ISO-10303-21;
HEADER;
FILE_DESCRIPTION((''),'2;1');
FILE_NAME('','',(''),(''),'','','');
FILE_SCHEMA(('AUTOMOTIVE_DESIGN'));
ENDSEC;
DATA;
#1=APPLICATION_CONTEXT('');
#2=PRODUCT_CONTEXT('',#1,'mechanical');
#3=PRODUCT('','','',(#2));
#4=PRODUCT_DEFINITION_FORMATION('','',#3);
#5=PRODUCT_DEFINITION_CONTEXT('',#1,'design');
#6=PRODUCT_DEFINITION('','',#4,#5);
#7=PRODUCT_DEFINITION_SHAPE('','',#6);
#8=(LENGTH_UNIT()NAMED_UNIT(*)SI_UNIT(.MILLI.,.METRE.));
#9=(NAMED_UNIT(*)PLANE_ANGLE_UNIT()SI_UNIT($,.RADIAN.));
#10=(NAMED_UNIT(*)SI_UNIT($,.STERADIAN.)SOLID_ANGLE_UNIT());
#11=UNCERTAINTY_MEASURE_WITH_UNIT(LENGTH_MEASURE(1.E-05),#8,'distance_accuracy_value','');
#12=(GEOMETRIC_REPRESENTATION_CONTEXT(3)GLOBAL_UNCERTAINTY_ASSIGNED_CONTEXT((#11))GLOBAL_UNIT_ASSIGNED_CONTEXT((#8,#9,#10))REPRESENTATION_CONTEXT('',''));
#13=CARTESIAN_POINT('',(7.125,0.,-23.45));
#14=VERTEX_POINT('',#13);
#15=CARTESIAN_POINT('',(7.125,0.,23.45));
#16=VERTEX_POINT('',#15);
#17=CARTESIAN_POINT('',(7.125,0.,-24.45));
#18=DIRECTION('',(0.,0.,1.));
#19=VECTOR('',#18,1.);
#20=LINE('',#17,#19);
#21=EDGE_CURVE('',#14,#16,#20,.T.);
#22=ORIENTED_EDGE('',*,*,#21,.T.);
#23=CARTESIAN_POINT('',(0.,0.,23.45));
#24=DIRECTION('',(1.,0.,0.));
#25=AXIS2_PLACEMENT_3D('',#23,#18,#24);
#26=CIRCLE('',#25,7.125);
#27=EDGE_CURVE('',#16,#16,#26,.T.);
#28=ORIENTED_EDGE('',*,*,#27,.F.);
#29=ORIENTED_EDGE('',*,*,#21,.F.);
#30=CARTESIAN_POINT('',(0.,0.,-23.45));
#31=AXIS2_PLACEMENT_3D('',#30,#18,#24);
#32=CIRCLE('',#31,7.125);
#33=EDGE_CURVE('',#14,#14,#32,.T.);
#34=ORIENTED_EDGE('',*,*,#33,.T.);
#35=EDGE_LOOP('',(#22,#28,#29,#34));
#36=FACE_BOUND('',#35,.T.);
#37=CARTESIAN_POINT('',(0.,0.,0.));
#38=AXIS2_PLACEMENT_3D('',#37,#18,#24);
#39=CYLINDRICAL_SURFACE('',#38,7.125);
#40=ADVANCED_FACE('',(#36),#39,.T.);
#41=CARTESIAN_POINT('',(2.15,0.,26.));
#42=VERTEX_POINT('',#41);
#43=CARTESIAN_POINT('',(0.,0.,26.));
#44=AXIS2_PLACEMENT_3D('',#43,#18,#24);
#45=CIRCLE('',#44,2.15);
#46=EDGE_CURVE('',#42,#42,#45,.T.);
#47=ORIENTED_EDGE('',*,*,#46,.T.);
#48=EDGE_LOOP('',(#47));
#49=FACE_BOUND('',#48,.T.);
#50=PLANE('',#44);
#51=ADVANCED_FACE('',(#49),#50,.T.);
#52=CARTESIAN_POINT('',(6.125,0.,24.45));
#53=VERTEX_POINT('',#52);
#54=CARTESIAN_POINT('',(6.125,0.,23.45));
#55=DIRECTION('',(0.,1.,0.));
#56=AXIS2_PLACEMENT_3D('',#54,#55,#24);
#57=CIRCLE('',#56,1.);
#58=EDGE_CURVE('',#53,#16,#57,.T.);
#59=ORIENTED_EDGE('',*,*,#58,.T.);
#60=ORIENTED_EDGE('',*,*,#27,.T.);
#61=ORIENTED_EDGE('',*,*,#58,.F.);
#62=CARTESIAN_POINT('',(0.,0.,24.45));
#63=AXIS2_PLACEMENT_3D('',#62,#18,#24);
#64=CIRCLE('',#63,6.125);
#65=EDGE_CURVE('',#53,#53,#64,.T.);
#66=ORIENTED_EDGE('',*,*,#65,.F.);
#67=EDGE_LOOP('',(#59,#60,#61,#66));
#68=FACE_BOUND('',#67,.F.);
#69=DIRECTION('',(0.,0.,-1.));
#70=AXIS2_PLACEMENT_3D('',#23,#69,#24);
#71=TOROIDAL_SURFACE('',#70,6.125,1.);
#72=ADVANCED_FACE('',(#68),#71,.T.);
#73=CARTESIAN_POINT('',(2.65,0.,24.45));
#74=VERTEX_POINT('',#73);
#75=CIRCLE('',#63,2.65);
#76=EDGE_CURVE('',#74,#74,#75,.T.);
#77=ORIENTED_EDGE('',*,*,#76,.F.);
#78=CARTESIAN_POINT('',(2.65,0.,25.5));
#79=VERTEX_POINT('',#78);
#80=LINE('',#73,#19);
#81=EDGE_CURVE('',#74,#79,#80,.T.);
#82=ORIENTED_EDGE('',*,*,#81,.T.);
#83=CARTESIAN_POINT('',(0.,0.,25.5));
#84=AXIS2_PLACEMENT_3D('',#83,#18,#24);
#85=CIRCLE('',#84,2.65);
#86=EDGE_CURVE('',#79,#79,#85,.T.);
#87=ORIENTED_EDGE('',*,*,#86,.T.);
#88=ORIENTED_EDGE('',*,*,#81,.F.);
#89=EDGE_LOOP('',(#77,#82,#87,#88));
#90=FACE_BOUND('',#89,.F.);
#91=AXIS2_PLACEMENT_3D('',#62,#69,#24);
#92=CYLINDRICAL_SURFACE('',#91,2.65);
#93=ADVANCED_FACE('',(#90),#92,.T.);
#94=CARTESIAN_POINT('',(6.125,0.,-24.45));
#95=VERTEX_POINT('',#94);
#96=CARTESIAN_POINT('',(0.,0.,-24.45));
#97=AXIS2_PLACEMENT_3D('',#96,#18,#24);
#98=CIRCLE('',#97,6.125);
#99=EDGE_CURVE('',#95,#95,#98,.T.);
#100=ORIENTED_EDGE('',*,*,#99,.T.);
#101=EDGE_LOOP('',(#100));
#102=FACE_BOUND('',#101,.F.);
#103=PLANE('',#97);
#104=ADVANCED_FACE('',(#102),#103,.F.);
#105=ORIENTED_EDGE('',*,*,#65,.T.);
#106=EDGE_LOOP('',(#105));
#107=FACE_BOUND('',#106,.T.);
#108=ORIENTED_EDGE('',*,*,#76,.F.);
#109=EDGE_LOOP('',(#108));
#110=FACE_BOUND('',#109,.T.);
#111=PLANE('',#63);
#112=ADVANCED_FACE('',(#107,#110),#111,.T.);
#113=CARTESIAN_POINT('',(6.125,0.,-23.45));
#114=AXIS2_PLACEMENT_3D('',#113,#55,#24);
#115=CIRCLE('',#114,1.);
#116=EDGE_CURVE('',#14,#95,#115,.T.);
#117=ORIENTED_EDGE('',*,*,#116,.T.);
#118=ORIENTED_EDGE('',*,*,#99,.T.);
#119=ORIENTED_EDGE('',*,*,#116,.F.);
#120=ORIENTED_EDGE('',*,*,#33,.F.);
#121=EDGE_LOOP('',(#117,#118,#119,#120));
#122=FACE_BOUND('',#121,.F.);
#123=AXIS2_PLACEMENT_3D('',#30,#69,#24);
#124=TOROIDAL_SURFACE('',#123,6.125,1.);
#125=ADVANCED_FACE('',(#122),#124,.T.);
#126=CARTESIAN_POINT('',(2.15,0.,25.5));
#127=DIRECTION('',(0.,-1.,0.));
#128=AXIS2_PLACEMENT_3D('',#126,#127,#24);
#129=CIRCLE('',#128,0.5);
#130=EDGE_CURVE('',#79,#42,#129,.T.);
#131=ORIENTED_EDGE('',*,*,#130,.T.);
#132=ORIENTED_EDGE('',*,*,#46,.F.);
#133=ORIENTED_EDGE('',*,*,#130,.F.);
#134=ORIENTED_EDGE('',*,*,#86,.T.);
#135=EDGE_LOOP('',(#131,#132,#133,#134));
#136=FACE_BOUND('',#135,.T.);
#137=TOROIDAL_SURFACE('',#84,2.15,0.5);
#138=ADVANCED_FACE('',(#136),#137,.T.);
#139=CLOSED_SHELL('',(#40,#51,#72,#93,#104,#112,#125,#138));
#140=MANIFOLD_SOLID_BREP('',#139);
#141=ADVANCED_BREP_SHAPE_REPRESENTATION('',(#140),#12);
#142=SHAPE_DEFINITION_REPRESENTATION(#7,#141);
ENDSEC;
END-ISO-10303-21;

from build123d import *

# Parameters (mm, degrees)
F0_R     = 7.125
F1_DEPTH = 24.45
F2_R     = 2.65
F3_DEPTH = 1.55
F4_R     = 0.5
F5_R     = 1


with BuildPart() as f1:
    # F0 (on Top) → F1 (new body, symmetric)
    with BuildSketch(Plane.XY):
        Circle(F0_R)
    extrude(amount=F1_DEPTH, both=True)

    # F2 (on face) → F3 (join)
    with BuildSketch(Plane.XY.offset(24.45)):
        Circle(F2_R)
    extrude(amount=F3_DEPTH)

    # F4
    f4_edges = [f1.edges().sort_by_distance(p)[0] for p in [
        (-2.65, 0, 26),
    ]]
    fillet(f4_edges, radius=F4_R)

    # F5
    f5_edges = [f1.edges().sort_by_distance(p)[0] for p in [
        (-7.125, 0, 24.45),
        (-7.125, 0, -24.45),
    ]]
    fillet(f5_edges, radius=F5_R)


solid = f1.part
